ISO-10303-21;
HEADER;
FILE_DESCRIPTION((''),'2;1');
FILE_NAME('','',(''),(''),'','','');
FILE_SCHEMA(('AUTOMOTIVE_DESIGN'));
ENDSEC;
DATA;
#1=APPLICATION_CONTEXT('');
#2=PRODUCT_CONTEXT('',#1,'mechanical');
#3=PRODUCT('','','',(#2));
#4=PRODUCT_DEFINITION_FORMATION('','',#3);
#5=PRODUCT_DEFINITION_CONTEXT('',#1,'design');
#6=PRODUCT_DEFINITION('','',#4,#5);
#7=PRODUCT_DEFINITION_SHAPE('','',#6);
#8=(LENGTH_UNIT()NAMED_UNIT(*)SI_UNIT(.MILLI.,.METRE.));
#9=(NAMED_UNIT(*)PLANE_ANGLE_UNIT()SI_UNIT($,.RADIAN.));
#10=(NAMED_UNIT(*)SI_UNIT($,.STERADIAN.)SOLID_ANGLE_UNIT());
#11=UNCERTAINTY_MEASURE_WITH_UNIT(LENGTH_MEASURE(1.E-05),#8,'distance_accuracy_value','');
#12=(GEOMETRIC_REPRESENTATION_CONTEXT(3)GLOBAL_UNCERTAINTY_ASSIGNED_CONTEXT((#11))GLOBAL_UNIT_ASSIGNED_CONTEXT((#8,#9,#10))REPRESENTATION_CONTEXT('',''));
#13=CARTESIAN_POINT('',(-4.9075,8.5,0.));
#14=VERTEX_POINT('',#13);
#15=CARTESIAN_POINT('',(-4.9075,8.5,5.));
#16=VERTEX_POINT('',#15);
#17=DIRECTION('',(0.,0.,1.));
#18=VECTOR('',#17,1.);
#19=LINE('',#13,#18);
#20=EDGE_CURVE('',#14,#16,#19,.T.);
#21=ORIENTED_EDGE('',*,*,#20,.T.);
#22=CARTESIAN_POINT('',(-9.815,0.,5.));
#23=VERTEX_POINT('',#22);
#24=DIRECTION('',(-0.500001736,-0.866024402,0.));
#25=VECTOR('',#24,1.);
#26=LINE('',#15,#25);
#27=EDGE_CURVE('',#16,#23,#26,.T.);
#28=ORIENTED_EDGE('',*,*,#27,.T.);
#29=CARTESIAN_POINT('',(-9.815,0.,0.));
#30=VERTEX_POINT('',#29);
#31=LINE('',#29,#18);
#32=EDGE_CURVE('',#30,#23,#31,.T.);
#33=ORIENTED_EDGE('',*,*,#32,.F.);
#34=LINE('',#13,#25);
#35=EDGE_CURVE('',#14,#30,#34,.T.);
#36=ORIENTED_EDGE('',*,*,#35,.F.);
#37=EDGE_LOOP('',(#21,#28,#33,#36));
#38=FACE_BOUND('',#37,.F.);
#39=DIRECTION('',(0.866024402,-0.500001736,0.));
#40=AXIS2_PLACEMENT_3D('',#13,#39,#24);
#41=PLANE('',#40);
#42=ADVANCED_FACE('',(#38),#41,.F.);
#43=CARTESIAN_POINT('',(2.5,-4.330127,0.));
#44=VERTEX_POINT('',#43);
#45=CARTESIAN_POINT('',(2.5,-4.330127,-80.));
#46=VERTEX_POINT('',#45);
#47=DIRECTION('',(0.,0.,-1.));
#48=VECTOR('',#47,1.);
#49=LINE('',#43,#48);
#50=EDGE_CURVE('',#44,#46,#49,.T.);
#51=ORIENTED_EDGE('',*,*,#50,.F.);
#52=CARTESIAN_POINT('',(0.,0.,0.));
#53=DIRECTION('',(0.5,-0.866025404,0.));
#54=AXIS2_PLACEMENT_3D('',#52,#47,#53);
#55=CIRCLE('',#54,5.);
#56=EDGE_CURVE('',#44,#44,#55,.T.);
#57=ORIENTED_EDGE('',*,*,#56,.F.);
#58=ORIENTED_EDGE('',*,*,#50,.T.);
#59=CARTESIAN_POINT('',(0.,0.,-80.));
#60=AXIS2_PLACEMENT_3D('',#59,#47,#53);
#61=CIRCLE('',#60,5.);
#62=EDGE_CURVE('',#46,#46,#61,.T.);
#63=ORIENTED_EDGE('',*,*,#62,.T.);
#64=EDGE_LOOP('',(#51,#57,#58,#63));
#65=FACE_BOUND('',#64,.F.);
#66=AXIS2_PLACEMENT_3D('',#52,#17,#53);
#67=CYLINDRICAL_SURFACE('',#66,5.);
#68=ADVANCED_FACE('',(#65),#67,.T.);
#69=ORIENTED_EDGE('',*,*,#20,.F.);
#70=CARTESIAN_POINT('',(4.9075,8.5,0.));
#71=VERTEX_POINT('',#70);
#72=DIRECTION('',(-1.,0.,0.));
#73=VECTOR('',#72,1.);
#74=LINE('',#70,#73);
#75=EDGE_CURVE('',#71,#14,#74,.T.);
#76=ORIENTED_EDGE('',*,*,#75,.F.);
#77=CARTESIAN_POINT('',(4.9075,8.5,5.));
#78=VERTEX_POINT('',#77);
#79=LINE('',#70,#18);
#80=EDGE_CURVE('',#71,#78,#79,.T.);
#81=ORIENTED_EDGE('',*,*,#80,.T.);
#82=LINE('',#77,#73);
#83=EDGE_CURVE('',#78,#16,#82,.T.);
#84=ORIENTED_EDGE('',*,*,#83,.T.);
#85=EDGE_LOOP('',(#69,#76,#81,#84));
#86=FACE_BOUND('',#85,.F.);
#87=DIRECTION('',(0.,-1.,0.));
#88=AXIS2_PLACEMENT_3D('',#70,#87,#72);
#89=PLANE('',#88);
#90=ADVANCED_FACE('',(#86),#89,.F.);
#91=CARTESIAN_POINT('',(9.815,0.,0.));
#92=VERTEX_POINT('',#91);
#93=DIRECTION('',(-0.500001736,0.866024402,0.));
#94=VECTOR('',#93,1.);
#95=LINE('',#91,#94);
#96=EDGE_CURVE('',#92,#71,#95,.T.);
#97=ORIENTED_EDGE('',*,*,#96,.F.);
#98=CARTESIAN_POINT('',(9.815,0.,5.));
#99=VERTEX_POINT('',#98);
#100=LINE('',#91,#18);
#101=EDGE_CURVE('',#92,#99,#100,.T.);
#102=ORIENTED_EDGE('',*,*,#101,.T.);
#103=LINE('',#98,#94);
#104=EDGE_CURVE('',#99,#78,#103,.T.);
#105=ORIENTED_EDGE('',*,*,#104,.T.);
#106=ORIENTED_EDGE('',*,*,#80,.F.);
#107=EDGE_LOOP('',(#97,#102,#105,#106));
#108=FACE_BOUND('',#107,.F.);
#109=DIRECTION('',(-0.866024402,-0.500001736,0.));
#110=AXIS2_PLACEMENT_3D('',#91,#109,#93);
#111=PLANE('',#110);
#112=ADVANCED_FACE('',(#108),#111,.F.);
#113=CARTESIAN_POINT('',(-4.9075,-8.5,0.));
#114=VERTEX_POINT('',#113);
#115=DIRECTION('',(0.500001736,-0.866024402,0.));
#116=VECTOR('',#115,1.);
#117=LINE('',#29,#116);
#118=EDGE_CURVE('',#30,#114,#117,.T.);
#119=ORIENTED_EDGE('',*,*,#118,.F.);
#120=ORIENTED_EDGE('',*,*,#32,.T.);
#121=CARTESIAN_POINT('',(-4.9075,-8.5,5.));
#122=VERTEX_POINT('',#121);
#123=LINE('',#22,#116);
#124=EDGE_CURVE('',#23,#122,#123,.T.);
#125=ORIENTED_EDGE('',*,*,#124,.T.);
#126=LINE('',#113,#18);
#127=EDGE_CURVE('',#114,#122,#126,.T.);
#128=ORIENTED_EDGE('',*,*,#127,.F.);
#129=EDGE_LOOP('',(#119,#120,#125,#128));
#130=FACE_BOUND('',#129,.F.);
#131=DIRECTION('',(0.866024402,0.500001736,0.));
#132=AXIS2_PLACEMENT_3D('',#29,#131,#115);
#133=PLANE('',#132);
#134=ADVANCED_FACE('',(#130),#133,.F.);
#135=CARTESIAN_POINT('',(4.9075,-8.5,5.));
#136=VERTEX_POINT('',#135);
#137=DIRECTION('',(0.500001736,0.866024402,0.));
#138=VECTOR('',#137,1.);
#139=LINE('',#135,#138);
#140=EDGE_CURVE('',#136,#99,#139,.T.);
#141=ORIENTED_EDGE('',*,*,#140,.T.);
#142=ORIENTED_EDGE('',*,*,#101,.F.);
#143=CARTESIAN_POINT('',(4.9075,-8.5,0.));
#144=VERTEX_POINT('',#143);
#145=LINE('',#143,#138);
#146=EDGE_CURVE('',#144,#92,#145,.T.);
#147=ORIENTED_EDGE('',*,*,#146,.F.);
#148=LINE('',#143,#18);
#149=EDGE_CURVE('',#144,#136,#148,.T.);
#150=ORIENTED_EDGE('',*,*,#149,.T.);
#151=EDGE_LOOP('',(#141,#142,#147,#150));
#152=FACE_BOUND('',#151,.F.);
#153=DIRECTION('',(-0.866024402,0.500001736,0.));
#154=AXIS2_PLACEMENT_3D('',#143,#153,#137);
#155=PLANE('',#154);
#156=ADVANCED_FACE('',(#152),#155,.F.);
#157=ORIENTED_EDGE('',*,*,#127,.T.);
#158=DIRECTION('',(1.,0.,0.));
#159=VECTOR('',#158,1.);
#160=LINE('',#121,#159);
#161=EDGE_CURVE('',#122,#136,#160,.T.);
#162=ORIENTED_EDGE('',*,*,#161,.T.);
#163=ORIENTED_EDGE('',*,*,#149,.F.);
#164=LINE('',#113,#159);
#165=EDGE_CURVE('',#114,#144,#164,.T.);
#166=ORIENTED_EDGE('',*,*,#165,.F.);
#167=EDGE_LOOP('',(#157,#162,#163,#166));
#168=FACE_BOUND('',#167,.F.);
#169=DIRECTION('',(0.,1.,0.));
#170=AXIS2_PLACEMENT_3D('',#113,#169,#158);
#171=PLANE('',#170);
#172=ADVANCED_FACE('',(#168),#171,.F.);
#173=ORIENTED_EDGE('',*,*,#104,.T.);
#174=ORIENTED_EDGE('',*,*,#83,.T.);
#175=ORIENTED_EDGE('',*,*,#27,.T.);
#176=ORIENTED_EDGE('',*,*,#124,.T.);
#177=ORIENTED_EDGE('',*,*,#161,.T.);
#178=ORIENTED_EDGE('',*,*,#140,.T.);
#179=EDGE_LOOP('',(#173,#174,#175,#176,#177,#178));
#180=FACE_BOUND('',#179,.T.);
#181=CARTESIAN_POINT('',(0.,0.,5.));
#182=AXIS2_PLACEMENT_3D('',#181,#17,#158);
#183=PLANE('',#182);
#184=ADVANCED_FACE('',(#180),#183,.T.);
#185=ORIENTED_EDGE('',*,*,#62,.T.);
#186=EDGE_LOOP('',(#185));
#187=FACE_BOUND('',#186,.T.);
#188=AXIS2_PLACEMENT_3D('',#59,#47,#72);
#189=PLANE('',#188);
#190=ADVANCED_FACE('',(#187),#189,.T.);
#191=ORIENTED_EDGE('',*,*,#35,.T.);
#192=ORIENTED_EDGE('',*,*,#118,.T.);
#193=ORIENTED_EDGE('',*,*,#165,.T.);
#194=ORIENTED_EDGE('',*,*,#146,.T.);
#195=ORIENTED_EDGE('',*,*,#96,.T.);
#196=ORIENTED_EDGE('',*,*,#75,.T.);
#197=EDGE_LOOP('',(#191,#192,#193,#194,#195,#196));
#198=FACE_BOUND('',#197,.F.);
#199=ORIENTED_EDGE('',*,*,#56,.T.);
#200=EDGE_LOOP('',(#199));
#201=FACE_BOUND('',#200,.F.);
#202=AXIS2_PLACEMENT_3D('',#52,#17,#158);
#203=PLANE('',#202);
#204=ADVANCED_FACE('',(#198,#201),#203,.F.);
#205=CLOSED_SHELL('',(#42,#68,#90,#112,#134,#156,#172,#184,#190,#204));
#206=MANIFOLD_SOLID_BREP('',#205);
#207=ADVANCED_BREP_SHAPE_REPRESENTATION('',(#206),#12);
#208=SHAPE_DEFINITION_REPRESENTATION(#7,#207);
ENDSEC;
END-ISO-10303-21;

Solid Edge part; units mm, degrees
sketch "Sketch1" plane through (0, 0, 0) normal (0, 0, 1) x (1, 0, 0)
  line L0 (-4.9075, 8.5) -> (-9.815, 0)
  line L1 (-9.815, 0) -> (-4.9075, -8.5)
  line L2 (-4.9075, -8.5) -> (4.9075, -8.5)
  line L3 (4.9075, -8.5) -> (9.815, 0)
  line L4 (9.815, 0) -> (4.9075, 8.5)
  line L5 (4.9075, 8.5) -> (-4.9075, 8.5)
extrude "Protrusion1" add sketch "Sketch1" along normal blind 5
sketch "Sketch2" plane through (0, 0, 0) normal (0, 0, -1) x (0.5, -0.866, 0)
  circle A0 centre (0, 0) radius 5
extrude "ExtrudedProtrusion_2" add sketch "Sketch2" along normal blind 80
properties material "Stainless steel"
